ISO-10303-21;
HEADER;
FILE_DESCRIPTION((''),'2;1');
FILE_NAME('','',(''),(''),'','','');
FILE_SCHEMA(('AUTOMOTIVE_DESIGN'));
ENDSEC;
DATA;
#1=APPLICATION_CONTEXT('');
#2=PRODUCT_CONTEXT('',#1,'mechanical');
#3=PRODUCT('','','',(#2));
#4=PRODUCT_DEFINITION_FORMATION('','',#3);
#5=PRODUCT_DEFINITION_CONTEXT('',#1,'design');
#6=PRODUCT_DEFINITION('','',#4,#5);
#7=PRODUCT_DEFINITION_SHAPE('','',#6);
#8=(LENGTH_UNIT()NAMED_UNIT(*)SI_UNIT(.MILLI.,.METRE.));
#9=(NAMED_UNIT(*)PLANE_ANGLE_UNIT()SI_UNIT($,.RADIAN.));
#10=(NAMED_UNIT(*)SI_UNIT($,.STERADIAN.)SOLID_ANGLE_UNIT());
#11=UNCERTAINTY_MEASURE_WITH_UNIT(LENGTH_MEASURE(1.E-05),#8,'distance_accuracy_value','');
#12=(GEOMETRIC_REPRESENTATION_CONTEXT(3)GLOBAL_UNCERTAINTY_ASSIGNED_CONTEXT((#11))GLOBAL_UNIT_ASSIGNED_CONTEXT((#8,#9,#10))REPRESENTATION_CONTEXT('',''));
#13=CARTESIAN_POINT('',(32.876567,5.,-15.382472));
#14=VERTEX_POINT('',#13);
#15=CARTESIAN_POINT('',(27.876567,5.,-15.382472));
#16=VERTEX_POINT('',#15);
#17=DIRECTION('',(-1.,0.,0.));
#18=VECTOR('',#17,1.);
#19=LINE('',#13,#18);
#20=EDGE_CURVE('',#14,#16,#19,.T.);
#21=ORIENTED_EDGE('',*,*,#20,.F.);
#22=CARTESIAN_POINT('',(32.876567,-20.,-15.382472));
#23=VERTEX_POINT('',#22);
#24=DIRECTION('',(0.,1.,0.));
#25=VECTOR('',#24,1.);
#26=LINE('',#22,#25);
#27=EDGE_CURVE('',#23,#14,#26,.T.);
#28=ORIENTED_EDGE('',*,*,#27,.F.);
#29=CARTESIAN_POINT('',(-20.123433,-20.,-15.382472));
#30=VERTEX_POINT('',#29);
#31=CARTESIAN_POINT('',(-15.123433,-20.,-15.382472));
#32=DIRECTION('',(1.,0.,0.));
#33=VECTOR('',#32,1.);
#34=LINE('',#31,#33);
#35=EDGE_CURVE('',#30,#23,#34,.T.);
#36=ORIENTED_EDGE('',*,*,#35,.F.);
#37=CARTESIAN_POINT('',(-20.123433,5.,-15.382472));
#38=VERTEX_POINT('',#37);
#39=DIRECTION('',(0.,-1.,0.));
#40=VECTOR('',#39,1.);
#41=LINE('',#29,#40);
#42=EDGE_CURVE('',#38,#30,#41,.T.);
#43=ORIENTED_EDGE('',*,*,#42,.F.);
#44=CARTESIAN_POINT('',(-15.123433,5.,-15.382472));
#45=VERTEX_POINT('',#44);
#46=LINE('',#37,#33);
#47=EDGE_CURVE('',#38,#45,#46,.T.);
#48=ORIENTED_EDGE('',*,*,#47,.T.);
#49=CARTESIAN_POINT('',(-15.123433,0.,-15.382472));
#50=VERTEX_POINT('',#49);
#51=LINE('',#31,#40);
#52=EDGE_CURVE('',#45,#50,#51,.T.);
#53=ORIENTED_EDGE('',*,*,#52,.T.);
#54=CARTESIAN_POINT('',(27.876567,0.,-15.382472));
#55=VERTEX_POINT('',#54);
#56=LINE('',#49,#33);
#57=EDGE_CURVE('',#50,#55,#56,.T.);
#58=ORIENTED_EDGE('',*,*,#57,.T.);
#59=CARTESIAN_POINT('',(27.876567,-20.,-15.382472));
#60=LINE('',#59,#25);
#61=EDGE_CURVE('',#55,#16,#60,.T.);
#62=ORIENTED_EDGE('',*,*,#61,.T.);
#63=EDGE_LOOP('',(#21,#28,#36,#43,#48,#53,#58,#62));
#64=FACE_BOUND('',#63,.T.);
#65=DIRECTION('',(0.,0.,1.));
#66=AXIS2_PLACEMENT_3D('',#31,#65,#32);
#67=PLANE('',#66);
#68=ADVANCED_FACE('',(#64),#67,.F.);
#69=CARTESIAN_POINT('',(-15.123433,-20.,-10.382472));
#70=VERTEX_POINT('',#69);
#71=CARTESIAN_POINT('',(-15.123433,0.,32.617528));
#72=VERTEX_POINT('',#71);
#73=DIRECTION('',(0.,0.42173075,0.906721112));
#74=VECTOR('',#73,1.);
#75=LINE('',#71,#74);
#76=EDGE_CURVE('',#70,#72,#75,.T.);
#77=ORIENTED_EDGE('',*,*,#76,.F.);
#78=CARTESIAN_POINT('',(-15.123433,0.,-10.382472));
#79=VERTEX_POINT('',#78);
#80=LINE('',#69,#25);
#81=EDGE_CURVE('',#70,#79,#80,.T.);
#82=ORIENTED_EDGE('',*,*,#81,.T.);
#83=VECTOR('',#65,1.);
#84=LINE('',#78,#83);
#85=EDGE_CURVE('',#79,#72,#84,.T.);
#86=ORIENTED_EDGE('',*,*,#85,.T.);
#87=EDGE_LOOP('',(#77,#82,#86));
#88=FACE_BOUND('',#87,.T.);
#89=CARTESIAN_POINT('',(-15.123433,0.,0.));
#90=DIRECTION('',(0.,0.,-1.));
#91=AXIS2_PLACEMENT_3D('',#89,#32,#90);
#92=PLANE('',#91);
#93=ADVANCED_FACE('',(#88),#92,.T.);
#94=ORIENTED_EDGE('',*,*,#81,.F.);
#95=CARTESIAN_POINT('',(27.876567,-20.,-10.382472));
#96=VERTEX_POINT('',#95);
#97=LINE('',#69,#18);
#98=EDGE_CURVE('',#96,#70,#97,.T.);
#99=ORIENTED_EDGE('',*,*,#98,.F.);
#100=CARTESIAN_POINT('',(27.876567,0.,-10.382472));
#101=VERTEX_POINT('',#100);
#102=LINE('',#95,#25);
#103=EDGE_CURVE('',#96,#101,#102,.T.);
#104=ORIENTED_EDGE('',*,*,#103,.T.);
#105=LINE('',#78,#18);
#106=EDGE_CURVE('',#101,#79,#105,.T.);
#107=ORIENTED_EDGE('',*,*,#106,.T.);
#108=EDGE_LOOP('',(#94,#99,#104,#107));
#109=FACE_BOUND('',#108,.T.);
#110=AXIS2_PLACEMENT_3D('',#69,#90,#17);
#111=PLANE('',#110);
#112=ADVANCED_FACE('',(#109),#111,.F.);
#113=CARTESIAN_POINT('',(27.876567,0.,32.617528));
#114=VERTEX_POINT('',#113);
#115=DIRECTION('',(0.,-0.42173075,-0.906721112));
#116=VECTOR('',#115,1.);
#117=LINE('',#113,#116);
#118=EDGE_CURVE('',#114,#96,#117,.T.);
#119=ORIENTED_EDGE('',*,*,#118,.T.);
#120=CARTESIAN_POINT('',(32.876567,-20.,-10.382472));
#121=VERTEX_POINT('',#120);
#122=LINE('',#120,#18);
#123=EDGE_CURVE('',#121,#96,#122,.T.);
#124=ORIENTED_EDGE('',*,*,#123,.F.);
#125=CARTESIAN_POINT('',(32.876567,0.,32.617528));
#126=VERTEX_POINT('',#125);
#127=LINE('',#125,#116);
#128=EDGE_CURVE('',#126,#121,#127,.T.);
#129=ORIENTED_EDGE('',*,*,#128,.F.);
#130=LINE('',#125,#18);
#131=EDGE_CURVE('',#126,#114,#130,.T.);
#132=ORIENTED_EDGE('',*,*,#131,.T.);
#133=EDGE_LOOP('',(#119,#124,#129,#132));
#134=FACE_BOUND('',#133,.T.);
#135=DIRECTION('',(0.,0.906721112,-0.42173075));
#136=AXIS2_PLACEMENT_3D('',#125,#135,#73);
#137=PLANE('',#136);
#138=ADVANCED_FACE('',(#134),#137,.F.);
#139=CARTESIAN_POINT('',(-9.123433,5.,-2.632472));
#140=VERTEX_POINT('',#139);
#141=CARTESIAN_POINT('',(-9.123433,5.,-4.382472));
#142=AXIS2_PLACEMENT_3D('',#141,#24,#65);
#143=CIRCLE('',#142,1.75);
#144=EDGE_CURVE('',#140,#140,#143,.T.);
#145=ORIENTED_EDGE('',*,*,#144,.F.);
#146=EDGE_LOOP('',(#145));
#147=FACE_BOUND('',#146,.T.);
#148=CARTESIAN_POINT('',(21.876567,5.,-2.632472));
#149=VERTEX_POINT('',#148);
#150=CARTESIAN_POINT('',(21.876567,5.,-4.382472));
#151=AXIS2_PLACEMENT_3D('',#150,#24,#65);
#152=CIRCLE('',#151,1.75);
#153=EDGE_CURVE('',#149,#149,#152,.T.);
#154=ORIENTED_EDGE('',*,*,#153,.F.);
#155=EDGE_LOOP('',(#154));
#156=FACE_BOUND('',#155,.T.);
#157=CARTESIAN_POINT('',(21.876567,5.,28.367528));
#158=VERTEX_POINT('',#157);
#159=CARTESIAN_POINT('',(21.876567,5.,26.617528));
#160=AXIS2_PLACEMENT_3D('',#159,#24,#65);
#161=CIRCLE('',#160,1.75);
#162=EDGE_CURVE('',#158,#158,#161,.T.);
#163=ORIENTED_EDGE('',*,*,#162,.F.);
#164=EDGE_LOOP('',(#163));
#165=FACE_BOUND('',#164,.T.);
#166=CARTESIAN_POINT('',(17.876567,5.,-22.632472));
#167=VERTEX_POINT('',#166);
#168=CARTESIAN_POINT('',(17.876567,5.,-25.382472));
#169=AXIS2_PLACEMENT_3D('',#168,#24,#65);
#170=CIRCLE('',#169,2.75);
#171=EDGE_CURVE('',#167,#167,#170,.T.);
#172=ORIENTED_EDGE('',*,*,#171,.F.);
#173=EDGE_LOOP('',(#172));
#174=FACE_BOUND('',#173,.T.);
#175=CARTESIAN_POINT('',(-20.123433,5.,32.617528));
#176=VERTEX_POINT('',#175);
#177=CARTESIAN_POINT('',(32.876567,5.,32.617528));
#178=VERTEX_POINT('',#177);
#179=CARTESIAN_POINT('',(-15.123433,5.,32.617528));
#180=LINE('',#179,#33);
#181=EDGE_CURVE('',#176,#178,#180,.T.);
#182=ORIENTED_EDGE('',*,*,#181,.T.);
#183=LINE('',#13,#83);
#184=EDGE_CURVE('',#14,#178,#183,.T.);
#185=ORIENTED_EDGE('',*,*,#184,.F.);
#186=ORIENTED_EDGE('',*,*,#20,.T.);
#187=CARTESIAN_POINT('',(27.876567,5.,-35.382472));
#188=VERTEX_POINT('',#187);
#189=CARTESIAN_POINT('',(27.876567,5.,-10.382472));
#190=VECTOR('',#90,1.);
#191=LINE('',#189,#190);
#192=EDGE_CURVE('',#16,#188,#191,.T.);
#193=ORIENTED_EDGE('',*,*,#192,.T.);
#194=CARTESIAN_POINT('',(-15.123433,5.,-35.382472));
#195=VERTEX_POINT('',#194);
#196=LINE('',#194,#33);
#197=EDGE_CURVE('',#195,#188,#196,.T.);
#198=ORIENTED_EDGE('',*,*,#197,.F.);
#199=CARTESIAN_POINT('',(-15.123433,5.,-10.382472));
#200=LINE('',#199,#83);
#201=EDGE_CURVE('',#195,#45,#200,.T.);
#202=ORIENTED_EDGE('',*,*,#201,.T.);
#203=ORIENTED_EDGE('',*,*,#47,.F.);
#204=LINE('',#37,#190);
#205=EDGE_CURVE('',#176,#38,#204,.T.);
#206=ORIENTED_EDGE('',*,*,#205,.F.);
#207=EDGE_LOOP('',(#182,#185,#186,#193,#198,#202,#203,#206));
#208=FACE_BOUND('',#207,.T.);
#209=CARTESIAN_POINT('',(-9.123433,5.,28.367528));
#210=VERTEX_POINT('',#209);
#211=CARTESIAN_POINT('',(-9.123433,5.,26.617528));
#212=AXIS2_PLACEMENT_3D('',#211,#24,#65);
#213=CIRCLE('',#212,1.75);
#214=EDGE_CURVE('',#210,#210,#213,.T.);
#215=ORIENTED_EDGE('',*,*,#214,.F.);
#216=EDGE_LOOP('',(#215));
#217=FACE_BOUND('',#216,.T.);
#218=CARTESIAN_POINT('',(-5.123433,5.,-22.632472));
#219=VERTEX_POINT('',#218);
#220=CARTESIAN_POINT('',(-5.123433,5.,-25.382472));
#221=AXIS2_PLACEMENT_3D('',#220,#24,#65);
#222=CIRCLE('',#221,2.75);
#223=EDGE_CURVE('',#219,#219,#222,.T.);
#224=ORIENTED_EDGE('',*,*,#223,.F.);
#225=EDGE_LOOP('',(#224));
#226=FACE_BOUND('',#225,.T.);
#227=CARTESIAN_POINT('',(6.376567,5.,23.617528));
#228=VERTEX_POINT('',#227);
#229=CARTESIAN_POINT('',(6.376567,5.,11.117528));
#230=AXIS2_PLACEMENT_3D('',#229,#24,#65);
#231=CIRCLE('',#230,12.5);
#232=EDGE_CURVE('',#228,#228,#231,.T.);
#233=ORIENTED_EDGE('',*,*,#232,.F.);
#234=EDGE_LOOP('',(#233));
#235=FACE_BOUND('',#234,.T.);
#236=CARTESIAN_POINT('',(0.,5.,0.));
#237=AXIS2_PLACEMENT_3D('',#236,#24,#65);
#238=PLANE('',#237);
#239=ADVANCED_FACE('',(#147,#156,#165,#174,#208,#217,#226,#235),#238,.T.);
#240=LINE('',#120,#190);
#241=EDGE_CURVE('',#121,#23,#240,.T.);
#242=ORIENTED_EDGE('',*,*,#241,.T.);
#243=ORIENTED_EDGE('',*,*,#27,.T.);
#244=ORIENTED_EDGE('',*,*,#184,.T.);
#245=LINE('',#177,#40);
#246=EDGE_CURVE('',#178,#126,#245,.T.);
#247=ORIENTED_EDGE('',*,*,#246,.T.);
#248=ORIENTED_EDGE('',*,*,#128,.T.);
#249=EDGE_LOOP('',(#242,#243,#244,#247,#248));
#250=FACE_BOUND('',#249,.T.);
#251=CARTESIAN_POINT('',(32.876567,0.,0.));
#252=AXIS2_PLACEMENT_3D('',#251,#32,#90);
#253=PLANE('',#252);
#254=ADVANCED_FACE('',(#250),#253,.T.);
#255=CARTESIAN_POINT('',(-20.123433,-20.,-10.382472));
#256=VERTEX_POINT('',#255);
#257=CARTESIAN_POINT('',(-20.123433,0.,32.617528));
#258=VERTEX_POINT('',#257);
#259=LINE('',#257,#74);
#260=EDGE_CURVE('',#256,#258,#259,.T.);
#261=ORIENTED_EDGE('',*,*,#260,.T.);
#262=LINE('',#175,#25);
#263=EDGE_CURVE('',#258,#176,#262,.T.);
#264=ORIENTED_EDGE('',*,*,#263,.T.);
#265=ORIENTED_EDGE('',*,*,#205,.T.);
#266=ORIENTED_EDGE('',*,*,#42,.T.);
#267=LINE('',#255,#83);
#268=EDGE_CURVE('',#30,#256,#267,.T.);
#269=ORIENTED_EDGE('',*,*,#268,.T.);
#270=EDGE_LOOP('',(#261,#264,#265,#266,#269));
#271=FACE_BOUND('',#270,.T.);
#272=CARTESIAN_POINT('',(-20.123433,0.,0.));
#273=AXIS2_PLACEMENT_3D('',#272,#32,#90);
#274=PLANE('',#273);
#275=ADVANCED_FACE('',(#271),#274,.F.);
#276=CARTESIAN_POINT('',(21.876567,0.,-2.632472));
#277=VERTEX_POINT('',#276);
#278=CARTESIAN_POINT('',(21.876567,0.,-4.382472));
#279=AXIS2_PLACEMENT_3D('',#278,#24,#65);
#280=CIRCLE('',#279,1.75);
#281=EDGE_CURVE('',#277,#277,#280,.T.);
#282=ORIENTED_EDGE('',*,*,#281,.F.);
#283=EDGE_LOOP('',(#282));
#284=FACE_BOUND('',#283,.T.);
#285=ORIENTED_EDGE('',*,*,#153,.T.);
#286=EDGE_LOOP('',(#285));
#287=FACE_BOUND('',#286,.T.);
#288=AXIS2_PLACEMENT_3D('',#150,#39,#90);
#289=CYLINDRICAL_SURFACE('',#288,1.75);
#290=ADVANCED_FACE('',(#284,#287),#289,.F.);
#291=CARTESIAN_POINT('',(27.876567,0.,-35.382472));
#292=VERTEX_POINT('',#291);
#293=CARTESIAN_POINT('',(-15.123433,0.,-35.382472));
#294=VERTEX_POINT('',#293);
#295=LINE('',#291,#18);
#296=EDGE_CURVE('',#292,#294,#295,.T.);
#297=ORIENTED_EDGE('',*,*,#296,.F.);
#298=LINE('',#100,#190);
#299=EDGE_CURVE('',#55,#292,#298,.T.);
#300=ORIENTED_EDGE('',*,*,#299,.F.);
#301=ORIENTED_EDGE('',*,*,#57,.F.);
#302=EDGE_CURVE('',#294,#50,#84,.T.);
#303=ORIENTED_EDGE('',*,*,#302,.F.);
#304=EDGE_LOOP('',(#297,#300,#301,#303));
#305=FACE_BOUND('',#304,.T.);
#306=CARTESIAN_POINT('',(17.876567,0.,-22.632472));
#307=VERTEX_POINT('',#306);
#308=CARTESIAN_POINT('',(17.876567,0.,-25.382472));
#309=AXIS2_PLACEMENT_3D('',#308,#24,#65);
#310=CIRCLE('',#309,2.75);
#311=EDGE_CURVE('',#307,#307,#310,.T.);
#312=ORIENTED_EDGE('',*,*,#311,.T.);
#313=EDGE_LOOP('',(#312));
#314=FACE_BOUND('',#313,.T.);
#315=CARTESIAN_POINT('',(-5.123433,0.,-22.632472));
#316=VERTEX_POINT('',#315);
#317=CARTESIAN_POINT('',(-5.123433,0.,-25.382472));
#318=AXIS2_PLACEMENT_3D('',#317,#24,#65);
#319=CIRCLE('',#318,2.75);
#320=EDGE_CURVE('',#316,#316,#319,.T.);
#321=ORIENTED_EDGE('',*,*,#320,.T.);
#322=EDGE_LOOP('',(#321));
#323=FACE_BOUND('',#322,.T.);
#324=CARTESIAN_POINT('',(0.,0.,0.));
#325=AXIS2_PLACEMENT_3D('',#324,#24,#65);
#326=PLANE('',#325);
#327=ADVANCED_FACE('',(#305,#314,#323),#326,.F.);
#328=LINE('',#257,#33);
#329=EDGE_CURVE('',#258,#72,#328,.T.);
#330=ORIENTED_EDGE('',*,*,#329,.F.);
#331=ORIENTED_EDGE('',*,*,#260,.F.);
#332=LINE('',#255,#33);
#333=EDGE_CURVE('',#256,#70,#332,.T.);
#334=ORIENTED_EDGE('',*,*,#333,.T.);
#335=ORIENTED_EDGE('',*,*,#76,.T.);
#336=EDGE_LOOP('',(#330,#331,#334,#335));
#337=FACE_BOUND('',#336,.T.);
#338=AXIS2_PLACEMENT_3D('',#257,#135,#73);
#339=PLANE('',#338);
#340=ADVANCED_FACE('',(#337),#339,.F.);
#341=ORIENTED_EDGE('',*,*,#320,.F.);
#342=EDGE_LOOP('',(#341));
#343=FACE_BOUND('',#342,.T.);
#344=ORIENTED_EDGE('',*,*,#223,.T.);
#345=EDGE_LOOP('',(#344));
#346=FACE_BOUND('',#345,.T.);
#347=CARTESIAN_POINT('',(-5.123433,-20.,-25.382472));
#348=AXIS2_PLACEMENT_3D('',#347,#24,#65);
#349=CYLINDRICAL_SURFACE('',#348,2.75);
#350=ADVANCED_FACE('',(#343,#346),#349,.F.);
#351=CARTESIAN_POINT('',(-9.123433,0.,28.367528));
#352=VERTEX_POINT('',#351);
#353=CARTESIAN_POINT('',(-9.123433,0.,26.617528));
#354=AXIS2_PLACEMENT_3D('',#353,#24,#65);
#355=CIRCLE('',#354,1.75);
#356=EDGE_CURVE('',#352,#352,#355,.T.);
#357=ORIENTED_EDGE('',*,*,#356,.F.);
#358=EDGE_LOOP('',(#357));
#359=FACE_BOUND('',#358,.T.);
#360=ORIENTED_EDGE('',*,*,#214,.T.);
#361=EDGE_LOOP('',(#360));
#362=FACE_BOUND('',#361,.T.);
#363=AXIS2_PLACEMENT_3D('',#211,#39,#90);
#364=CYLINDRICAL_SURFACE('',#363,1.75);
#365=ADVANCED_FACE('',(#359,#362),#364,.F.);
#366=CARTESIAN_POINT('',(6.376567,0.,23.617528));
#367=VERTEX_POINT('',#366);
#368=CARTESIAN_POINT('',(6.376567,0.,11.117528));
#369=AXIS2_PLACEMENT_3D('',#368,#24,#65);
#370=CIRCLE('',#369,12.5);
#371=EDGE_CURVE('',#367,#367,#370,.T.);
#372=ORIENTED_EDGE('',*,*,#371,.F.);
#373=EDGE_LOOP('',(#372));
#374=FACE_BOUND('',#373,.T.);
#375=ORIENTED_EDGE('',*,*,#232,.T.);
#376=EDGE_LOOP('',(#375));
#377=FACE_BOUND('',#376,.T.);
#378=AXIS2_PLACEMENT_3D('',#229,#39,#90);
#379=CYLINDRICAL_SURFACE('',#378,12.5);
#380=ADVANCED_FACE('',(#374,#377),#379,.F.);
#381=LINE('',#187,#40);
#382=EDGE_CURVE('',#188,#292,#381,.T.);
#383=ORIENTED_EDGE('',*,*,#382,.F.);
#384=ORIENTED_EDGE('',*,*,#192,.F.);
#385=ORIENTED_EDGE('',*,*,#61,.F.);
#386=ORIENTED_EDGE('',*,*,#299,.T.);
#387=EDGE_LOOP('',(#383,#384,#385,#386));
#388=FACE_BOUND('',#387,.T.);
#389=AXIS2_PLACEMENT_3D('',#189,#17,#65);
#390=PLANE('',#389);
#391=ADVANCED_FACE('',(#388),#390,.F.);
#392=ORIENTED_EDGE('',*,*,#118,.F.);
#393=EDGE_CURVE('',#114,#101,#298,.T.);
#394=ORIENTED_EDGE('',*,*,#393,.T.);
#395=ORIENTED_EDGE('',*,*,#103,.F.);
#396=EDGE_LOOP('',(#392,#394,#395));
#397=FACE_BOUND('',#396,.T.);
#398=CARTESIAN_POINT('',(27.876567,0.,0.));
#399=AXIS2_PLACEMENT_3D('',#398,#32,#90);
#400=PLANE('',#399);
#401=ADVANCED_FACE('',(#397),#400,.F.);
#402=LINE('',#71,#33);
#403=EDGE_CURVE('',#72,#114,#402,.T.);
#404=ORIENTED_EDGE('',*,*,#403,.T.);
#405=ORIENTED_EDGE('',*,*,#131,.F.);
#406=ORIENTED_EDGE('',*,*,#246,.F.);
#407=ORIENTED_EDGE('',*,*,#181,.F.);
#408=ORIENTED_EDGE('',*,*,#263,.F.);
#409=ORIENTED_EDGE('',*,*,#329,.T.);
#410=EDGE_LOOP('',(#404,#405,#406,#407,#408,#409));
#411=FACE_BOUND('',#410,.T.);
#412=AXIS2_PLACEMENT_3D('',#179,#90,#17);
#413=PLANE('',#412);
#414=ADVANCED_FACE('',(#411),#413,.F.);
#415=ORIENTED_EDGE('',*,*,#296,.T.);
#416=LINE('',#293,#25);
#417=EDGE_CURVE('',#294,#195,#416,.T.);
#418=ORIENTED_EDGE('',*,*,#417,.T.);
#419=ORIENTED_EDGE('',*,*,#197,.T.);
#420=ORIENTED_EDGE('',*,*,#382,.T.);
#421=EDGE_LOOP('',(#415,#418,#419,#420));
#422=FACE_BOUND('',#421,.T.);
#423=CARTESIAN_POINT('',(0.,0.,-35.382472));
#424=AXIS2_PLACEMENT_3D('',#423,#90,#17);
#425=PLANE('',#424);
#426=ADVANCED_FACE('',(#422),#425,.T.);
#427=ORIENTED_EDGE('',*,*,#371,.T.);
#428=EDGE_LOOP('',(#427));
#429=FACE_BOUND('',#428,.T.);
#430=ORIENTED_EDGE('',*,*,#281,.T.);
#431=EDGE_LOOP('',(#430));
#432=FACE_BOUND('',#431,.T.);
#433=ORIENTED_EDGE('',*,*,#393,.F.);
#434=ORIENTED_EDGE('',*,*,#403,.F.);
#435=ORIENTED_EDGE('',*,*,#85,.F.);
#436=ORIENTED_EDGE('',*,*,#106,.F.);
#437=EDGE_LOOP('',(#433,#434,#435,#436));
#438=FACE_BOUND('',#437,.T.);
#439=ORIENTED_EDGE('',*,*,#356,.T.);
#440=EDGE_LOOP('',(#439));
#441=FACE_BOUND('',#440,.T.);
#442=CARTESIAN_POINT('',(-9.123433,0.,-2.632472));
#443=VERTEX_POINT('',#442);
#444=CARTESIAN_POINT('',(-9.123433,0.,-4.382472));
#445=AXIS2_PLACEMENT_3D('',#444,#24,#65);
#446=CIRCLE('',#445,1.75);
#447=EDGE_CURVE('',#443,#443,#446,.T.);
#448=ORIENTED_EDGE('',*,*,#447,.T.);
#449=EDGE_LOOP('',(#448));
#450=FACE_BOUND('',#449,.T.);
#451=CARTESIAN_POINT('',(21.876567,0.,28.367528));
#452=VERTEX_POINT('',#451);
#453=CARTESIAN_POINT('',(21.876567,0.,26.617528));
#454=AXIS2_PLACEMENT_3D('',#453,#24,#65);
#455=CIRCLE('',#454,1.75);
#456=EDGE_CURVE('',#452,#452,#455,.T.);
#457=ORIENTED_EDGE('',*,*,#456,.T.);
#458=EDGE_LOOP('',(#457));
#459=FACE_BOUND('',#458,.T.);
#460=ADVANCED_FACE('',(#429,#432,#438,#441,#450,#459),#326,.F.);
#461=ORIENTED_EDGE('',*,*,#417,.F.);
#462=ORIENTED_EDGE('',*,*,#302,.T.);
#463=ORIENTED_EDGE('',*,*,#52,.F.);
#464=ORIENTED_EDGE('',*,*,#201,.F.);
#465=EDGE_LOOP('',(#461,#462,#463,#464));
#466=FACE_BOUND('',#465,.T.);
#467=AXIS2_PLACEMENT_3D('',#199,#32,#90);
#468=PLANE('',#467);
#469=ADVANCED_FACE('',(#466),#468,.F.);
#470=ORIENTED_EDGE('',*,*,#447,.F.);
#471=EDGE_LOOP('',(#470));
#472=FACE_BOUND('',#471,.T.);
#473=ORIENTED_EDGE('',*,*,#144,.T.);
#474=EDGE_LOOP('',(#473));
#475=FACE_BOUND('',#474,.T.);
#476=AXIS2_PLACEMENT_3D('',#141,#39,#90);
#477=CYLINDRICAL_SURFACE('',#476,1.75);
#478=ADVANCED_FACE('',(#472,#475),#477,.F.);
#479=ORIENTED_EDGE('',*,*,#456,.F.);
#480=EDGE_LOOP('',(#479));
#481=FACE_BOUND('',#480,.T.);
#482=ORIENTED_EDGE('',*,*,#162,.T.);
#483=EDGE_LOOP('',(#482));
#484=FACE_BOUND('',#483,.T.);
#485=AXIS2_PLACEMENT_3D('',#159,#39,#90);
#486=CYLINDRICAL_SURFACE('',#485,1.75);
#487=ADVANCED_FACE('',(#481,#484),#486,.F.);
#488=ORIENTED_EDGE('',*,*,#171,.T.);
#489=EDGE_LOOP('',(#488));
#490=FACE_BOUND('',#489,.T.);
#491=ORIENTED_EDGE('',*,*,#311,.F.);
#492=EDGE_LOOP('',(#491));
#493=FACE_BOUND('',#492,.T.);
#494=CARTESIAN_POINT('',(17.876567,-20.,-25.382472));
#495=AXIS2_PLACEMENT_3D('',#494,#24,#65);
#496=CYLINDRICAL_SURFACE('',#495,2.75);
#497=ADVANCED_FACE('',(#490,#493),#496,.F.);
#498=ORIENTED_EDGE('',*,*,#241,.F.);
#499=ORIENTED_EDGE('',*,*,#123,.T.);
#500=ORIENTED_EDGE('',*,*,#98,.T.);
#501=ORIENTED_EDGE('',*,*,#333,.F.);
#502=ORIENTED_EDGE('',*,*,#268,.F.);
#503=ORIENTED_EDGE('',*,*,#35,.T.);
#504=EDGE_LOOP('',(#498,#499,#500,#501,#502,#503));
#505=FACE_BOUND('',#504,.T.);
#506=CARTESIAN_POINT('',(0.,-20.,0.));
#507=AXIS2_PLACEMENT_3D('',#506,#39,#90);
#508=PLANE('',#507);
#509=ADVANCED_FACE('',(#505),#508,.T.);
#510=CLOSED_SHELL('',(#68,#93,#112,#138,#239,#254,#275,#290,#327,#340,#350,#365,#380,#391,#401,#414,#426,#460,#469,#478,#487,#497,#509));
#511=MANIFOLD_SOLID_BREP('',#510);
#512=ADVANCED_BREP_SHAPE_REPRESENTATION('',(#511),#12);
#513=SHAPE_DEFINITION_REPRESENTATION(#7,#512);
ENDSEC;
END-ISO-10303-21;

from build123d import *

# Parameters (mm, degrees)
SKETCH_1_W          = 43
SKETCH_1_H          = 43
SKETCH_1_R          = 1.75
SKETCH_1_R_2        = 12.5
EXTRUDE_1_DEPTH     = 5
SKETCH_2_W          = 43
SKETCH_2_H          = 5
EXTRUDE_2_DEPTH     = 25
SKETCH_3_W          = 43
SKETCH_3_H          = 5
EXTRUDE_3_DEPTH     = 20
EXTRUDE_4_DEPTH     = 5
EXTRUDE_6_DEPTH     = 5
SKETCH_10_R         = 2.75
CUT_EXTRUDE_1_DEPTH = 55.385549855


with BuildPart() as part:
    # 草图1 → 凸台-拉伸1 (new body)
    with BuildSketch(Plane(origin=(0, 0, 0), x_dir=(1, 0, 0), z_dir=(0, 1, 0))):
        with Locations((6.376567293, -11.117527558)):
            Rectangle(SKETCH_1_W, SKETCH_1_H)
        with Locations(Location((-9.123432707, -26.617527558, 0), (0, 0, 270))):
            Circle(SKETCH_1_R, mode=Mode.SUBTRACT)
        with Locations(Location((21.876567293, -26.617527558, 0), (0, 0, 270))):
            Circle(SKETCH_1_R, mode=Mode.SUBTRACT)
        with Locations(Location((21.876567293, 4.382472442, 0), (0, 0, 270))):
            Circle(SKETCH_1_R, mode=Mode.SUBTRACT)
        with Locations(Location((-9.123432707, 4.382472442, 0), (0, 0, 270))):
            Circle(SKETCH_1_R, mode=Mode.SUBTRACT)
        with Locations(Location((6.376567293, -11.117527558, 0), (0, 0, 270))):
            Circle(SKETCH_1_R_2, mode=Mode.SUBTRACT)
    extrude(amount=EXTRUDE_1_DEPTH)

    # 草图2 → 凸台-拉伸2 (add)
    with BuildSketch(Plane(origin=(0, 0, -10.382472442), x_dir=(-1, 0, 0), z_dir=(0, 0, -1))):
        with Locations((-6.376567293, 2.5)):
            Rectangle(SKETCH_2_W, SKETCH_2_H)
    extrude(amount=EXTRUDE_2_DEPTH)

    # 草图3 → 凸台-拉伸3 (add)
    with BuildSketch(Plane.XZ):
        with Locations((6.376567293, -12.882472442)):
            Rectangle(SKETCH_3_W, SKETCH_3_H)
    extrude(amount=EXTRUDE_3_DEPTH)

    # 草图4 → 凸台-拉伸4 (add)
    with BuildSketch(Plane(origin=(27.876567293, 0, 0), x_dir=(0, 0, -1), z_dir=(1, 0, 0))):
        Polygon((-32.617527558, 0), (10.382472442, -20), (15.382472442, -20), (15.382472442, 5), (-32.617527558, 5), align=None)
    extrude(amount=EXTRUDE_4_DEPTH)

    # 草图9 → 凸台-拉伸6 (add)
    with BuildSketch(Plane.ZY.offset(15.123432707)):
        Polygon((32.617527558, 5), (32.617527558, 0), (-10.382472442, -20), (-15.382472442, -20), (-15.382472442, 5), align=None)
    extrude(amount=EXTRUDE_6_DEPTH)

    # 草图10 → 切除-拉伸1 (cut, through all)
    with BuildSketch(Plane(origin=(0, 5, 0), x_dir=(1, 0, 0), z_dir=(0, 1, 0))):
        with Locations(Location((-5.123432707, 25.382472442, 0), (0, 0, 270))):
            Circle(SKETCH_10_R)
        with Locations(Location((17.876567293, 25.382472442, 0), (0, 0, 270))):
            Circle(SKETCH_10_R)
    extrude(amount=-CUT_EXTRUDE_1_DEPTH, mode=Mode.SUBTRACT)


solid = part.part
